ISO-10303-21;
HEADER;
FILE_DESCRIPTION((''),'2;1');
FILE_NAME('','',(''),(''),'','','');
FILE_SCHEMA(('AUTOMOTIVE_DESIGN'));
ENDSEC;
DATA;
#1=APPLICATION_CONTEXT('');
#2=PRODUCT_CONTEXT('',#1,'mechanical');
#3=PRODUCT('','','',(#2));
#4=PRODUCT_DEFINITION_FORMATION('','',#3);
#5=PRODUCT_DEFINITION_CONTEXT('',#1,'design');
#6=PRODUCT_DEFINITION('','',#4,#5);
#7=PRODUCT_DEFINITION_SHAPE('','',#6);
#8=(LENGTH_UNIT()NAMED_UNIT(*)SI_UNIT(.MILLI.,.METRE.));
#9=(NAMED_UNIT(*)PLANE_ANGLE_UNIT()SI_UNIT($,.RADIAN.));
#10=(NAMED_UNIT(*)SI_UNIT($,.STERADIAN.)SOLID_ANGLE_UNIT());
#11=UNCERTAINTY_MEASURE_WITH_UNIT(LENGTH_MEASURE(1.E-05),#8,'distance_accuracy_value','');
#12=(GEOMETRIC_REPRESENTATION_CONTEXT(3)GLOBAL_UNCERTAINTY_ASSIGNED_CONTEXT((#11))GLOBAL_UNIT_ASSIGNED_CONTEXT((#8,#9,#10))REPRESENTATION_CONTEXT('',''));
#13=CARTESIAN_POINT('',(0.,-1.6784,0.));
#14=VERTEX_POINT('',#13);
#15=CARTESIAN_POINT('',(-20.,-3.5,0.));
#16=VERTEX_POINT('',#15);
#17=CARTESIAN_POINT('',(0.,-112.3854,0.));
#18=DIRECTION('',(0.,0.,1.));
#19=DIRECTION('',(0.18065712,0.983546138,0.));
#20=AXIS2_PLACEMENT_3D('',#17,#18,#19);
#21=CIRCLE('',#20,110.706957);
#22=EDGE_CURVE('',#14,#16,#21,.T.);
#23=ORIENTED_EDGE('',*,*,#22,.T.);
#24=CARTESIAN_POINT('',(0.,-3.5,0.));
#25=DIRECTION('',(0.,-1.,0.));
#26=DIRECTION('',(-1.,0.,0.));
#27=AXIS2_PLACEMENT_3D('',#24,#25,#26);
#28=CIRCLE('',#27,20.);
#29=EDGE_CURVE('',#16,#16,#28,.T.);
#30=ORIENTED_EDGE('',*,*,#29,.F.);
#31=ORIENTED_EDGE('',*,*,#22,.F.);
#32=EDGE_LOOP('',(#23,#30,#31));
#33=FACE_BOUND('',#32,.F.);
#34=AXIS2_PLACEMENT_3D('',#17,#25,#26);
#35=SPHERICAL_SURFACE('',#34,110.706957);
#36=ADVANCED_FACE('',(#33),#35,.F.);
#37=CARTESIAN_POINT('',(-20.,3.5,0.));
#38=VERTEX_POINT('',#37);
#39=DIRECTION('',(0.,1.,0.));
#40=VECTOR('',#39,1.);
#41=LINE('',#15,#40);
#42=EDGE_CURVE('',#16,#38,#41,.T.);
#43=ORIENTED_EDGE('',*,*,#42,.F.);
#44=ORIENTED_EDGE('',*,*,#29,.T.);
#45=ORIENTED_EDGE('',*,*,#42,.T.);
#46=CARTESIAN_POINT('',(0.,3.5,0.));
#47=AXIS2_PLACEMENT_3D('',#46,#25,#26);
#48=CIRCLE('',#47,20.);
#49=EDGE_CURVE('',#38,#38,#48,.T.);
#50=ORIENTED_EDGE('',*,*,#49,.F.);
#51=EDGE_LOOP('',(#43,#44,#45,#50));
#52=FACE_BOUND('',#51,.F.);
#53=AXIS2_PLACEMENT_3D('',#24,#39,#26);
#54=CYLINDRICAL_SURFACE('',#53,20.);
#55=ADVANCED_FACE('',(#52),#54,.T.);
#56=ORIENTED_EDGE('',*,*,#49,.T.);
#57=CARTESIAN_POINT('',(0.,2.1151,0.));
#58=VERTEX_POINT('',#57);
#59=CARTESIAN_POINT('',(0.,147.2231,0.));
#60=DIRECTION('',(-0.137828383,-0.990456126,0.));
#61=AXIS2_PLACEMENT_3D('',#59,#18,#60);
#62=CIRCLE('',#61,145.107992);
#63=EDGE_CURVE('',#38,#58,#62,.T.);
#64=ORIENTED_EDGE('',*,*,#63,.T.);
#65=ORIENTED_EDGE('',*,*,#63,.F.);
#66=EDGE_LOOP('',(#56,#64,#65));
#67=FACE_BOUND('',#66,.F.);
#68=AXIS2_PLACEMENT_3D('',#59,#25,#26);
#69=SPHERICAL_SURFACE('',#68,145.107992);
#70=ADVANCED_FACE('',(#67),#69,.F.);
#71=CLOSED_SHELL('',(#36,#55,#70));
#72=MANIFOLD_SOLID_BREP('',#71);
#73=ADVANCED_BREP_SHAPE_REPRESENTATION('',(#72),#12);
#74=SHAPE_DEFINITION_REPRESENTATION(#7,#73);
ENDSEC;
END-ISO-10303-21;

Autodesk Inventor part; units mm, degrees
ref_plane "YZ Plane" through (0, 0, 0) normal (1, 0, 0) x (0, 1, 0)
ref_plane "XZ Plane" through (0, 0, 0) normal (0, 1, 0) x (-1, 0, 0)
ref_plane "XY Plane" through (0, 0, 0) normal (0, 0, 1) x (1, 0, 0)
sketch "Skizze1" plane through (0, 0, 0) normal (0, 0, 1) x (1, 0, 0)
  line L0 (20, -3.5) -> (-20, -3.5)
  line L1 (-20, -3.5) -> (-20, 3.5)
  line L2 (-20, 3.5) -> (20, 3.5)
  line L3 (20, 3.5) -> (20, -3.5)
  line L4 (20, -3.5) -> (-20, 3.5) construction
  line L5 (-20, -3.5) -> (20, 3.5) construction
  arc A0 (-20, 3.5) -> (20, 3.5) centre (0, 147.2231) ccw
  arc A1 (20, -3.5) -> (-20, -3.5) centre (0, -112.3854) ccw
  line L6 (0, 2.1151) -> (0, -1.6784)
  point P0 (0, 0)
  dimension "d0" = 40
  dimension "d1" = 7
revolve "Umdrehung1" add sketch "Skizze1" angle 360 about axis through (0, 2.1151, 0) along (0, -1, 0) contours L1 A0 L6 A1
properties part number "00_Lens_neg_50mm_India"
